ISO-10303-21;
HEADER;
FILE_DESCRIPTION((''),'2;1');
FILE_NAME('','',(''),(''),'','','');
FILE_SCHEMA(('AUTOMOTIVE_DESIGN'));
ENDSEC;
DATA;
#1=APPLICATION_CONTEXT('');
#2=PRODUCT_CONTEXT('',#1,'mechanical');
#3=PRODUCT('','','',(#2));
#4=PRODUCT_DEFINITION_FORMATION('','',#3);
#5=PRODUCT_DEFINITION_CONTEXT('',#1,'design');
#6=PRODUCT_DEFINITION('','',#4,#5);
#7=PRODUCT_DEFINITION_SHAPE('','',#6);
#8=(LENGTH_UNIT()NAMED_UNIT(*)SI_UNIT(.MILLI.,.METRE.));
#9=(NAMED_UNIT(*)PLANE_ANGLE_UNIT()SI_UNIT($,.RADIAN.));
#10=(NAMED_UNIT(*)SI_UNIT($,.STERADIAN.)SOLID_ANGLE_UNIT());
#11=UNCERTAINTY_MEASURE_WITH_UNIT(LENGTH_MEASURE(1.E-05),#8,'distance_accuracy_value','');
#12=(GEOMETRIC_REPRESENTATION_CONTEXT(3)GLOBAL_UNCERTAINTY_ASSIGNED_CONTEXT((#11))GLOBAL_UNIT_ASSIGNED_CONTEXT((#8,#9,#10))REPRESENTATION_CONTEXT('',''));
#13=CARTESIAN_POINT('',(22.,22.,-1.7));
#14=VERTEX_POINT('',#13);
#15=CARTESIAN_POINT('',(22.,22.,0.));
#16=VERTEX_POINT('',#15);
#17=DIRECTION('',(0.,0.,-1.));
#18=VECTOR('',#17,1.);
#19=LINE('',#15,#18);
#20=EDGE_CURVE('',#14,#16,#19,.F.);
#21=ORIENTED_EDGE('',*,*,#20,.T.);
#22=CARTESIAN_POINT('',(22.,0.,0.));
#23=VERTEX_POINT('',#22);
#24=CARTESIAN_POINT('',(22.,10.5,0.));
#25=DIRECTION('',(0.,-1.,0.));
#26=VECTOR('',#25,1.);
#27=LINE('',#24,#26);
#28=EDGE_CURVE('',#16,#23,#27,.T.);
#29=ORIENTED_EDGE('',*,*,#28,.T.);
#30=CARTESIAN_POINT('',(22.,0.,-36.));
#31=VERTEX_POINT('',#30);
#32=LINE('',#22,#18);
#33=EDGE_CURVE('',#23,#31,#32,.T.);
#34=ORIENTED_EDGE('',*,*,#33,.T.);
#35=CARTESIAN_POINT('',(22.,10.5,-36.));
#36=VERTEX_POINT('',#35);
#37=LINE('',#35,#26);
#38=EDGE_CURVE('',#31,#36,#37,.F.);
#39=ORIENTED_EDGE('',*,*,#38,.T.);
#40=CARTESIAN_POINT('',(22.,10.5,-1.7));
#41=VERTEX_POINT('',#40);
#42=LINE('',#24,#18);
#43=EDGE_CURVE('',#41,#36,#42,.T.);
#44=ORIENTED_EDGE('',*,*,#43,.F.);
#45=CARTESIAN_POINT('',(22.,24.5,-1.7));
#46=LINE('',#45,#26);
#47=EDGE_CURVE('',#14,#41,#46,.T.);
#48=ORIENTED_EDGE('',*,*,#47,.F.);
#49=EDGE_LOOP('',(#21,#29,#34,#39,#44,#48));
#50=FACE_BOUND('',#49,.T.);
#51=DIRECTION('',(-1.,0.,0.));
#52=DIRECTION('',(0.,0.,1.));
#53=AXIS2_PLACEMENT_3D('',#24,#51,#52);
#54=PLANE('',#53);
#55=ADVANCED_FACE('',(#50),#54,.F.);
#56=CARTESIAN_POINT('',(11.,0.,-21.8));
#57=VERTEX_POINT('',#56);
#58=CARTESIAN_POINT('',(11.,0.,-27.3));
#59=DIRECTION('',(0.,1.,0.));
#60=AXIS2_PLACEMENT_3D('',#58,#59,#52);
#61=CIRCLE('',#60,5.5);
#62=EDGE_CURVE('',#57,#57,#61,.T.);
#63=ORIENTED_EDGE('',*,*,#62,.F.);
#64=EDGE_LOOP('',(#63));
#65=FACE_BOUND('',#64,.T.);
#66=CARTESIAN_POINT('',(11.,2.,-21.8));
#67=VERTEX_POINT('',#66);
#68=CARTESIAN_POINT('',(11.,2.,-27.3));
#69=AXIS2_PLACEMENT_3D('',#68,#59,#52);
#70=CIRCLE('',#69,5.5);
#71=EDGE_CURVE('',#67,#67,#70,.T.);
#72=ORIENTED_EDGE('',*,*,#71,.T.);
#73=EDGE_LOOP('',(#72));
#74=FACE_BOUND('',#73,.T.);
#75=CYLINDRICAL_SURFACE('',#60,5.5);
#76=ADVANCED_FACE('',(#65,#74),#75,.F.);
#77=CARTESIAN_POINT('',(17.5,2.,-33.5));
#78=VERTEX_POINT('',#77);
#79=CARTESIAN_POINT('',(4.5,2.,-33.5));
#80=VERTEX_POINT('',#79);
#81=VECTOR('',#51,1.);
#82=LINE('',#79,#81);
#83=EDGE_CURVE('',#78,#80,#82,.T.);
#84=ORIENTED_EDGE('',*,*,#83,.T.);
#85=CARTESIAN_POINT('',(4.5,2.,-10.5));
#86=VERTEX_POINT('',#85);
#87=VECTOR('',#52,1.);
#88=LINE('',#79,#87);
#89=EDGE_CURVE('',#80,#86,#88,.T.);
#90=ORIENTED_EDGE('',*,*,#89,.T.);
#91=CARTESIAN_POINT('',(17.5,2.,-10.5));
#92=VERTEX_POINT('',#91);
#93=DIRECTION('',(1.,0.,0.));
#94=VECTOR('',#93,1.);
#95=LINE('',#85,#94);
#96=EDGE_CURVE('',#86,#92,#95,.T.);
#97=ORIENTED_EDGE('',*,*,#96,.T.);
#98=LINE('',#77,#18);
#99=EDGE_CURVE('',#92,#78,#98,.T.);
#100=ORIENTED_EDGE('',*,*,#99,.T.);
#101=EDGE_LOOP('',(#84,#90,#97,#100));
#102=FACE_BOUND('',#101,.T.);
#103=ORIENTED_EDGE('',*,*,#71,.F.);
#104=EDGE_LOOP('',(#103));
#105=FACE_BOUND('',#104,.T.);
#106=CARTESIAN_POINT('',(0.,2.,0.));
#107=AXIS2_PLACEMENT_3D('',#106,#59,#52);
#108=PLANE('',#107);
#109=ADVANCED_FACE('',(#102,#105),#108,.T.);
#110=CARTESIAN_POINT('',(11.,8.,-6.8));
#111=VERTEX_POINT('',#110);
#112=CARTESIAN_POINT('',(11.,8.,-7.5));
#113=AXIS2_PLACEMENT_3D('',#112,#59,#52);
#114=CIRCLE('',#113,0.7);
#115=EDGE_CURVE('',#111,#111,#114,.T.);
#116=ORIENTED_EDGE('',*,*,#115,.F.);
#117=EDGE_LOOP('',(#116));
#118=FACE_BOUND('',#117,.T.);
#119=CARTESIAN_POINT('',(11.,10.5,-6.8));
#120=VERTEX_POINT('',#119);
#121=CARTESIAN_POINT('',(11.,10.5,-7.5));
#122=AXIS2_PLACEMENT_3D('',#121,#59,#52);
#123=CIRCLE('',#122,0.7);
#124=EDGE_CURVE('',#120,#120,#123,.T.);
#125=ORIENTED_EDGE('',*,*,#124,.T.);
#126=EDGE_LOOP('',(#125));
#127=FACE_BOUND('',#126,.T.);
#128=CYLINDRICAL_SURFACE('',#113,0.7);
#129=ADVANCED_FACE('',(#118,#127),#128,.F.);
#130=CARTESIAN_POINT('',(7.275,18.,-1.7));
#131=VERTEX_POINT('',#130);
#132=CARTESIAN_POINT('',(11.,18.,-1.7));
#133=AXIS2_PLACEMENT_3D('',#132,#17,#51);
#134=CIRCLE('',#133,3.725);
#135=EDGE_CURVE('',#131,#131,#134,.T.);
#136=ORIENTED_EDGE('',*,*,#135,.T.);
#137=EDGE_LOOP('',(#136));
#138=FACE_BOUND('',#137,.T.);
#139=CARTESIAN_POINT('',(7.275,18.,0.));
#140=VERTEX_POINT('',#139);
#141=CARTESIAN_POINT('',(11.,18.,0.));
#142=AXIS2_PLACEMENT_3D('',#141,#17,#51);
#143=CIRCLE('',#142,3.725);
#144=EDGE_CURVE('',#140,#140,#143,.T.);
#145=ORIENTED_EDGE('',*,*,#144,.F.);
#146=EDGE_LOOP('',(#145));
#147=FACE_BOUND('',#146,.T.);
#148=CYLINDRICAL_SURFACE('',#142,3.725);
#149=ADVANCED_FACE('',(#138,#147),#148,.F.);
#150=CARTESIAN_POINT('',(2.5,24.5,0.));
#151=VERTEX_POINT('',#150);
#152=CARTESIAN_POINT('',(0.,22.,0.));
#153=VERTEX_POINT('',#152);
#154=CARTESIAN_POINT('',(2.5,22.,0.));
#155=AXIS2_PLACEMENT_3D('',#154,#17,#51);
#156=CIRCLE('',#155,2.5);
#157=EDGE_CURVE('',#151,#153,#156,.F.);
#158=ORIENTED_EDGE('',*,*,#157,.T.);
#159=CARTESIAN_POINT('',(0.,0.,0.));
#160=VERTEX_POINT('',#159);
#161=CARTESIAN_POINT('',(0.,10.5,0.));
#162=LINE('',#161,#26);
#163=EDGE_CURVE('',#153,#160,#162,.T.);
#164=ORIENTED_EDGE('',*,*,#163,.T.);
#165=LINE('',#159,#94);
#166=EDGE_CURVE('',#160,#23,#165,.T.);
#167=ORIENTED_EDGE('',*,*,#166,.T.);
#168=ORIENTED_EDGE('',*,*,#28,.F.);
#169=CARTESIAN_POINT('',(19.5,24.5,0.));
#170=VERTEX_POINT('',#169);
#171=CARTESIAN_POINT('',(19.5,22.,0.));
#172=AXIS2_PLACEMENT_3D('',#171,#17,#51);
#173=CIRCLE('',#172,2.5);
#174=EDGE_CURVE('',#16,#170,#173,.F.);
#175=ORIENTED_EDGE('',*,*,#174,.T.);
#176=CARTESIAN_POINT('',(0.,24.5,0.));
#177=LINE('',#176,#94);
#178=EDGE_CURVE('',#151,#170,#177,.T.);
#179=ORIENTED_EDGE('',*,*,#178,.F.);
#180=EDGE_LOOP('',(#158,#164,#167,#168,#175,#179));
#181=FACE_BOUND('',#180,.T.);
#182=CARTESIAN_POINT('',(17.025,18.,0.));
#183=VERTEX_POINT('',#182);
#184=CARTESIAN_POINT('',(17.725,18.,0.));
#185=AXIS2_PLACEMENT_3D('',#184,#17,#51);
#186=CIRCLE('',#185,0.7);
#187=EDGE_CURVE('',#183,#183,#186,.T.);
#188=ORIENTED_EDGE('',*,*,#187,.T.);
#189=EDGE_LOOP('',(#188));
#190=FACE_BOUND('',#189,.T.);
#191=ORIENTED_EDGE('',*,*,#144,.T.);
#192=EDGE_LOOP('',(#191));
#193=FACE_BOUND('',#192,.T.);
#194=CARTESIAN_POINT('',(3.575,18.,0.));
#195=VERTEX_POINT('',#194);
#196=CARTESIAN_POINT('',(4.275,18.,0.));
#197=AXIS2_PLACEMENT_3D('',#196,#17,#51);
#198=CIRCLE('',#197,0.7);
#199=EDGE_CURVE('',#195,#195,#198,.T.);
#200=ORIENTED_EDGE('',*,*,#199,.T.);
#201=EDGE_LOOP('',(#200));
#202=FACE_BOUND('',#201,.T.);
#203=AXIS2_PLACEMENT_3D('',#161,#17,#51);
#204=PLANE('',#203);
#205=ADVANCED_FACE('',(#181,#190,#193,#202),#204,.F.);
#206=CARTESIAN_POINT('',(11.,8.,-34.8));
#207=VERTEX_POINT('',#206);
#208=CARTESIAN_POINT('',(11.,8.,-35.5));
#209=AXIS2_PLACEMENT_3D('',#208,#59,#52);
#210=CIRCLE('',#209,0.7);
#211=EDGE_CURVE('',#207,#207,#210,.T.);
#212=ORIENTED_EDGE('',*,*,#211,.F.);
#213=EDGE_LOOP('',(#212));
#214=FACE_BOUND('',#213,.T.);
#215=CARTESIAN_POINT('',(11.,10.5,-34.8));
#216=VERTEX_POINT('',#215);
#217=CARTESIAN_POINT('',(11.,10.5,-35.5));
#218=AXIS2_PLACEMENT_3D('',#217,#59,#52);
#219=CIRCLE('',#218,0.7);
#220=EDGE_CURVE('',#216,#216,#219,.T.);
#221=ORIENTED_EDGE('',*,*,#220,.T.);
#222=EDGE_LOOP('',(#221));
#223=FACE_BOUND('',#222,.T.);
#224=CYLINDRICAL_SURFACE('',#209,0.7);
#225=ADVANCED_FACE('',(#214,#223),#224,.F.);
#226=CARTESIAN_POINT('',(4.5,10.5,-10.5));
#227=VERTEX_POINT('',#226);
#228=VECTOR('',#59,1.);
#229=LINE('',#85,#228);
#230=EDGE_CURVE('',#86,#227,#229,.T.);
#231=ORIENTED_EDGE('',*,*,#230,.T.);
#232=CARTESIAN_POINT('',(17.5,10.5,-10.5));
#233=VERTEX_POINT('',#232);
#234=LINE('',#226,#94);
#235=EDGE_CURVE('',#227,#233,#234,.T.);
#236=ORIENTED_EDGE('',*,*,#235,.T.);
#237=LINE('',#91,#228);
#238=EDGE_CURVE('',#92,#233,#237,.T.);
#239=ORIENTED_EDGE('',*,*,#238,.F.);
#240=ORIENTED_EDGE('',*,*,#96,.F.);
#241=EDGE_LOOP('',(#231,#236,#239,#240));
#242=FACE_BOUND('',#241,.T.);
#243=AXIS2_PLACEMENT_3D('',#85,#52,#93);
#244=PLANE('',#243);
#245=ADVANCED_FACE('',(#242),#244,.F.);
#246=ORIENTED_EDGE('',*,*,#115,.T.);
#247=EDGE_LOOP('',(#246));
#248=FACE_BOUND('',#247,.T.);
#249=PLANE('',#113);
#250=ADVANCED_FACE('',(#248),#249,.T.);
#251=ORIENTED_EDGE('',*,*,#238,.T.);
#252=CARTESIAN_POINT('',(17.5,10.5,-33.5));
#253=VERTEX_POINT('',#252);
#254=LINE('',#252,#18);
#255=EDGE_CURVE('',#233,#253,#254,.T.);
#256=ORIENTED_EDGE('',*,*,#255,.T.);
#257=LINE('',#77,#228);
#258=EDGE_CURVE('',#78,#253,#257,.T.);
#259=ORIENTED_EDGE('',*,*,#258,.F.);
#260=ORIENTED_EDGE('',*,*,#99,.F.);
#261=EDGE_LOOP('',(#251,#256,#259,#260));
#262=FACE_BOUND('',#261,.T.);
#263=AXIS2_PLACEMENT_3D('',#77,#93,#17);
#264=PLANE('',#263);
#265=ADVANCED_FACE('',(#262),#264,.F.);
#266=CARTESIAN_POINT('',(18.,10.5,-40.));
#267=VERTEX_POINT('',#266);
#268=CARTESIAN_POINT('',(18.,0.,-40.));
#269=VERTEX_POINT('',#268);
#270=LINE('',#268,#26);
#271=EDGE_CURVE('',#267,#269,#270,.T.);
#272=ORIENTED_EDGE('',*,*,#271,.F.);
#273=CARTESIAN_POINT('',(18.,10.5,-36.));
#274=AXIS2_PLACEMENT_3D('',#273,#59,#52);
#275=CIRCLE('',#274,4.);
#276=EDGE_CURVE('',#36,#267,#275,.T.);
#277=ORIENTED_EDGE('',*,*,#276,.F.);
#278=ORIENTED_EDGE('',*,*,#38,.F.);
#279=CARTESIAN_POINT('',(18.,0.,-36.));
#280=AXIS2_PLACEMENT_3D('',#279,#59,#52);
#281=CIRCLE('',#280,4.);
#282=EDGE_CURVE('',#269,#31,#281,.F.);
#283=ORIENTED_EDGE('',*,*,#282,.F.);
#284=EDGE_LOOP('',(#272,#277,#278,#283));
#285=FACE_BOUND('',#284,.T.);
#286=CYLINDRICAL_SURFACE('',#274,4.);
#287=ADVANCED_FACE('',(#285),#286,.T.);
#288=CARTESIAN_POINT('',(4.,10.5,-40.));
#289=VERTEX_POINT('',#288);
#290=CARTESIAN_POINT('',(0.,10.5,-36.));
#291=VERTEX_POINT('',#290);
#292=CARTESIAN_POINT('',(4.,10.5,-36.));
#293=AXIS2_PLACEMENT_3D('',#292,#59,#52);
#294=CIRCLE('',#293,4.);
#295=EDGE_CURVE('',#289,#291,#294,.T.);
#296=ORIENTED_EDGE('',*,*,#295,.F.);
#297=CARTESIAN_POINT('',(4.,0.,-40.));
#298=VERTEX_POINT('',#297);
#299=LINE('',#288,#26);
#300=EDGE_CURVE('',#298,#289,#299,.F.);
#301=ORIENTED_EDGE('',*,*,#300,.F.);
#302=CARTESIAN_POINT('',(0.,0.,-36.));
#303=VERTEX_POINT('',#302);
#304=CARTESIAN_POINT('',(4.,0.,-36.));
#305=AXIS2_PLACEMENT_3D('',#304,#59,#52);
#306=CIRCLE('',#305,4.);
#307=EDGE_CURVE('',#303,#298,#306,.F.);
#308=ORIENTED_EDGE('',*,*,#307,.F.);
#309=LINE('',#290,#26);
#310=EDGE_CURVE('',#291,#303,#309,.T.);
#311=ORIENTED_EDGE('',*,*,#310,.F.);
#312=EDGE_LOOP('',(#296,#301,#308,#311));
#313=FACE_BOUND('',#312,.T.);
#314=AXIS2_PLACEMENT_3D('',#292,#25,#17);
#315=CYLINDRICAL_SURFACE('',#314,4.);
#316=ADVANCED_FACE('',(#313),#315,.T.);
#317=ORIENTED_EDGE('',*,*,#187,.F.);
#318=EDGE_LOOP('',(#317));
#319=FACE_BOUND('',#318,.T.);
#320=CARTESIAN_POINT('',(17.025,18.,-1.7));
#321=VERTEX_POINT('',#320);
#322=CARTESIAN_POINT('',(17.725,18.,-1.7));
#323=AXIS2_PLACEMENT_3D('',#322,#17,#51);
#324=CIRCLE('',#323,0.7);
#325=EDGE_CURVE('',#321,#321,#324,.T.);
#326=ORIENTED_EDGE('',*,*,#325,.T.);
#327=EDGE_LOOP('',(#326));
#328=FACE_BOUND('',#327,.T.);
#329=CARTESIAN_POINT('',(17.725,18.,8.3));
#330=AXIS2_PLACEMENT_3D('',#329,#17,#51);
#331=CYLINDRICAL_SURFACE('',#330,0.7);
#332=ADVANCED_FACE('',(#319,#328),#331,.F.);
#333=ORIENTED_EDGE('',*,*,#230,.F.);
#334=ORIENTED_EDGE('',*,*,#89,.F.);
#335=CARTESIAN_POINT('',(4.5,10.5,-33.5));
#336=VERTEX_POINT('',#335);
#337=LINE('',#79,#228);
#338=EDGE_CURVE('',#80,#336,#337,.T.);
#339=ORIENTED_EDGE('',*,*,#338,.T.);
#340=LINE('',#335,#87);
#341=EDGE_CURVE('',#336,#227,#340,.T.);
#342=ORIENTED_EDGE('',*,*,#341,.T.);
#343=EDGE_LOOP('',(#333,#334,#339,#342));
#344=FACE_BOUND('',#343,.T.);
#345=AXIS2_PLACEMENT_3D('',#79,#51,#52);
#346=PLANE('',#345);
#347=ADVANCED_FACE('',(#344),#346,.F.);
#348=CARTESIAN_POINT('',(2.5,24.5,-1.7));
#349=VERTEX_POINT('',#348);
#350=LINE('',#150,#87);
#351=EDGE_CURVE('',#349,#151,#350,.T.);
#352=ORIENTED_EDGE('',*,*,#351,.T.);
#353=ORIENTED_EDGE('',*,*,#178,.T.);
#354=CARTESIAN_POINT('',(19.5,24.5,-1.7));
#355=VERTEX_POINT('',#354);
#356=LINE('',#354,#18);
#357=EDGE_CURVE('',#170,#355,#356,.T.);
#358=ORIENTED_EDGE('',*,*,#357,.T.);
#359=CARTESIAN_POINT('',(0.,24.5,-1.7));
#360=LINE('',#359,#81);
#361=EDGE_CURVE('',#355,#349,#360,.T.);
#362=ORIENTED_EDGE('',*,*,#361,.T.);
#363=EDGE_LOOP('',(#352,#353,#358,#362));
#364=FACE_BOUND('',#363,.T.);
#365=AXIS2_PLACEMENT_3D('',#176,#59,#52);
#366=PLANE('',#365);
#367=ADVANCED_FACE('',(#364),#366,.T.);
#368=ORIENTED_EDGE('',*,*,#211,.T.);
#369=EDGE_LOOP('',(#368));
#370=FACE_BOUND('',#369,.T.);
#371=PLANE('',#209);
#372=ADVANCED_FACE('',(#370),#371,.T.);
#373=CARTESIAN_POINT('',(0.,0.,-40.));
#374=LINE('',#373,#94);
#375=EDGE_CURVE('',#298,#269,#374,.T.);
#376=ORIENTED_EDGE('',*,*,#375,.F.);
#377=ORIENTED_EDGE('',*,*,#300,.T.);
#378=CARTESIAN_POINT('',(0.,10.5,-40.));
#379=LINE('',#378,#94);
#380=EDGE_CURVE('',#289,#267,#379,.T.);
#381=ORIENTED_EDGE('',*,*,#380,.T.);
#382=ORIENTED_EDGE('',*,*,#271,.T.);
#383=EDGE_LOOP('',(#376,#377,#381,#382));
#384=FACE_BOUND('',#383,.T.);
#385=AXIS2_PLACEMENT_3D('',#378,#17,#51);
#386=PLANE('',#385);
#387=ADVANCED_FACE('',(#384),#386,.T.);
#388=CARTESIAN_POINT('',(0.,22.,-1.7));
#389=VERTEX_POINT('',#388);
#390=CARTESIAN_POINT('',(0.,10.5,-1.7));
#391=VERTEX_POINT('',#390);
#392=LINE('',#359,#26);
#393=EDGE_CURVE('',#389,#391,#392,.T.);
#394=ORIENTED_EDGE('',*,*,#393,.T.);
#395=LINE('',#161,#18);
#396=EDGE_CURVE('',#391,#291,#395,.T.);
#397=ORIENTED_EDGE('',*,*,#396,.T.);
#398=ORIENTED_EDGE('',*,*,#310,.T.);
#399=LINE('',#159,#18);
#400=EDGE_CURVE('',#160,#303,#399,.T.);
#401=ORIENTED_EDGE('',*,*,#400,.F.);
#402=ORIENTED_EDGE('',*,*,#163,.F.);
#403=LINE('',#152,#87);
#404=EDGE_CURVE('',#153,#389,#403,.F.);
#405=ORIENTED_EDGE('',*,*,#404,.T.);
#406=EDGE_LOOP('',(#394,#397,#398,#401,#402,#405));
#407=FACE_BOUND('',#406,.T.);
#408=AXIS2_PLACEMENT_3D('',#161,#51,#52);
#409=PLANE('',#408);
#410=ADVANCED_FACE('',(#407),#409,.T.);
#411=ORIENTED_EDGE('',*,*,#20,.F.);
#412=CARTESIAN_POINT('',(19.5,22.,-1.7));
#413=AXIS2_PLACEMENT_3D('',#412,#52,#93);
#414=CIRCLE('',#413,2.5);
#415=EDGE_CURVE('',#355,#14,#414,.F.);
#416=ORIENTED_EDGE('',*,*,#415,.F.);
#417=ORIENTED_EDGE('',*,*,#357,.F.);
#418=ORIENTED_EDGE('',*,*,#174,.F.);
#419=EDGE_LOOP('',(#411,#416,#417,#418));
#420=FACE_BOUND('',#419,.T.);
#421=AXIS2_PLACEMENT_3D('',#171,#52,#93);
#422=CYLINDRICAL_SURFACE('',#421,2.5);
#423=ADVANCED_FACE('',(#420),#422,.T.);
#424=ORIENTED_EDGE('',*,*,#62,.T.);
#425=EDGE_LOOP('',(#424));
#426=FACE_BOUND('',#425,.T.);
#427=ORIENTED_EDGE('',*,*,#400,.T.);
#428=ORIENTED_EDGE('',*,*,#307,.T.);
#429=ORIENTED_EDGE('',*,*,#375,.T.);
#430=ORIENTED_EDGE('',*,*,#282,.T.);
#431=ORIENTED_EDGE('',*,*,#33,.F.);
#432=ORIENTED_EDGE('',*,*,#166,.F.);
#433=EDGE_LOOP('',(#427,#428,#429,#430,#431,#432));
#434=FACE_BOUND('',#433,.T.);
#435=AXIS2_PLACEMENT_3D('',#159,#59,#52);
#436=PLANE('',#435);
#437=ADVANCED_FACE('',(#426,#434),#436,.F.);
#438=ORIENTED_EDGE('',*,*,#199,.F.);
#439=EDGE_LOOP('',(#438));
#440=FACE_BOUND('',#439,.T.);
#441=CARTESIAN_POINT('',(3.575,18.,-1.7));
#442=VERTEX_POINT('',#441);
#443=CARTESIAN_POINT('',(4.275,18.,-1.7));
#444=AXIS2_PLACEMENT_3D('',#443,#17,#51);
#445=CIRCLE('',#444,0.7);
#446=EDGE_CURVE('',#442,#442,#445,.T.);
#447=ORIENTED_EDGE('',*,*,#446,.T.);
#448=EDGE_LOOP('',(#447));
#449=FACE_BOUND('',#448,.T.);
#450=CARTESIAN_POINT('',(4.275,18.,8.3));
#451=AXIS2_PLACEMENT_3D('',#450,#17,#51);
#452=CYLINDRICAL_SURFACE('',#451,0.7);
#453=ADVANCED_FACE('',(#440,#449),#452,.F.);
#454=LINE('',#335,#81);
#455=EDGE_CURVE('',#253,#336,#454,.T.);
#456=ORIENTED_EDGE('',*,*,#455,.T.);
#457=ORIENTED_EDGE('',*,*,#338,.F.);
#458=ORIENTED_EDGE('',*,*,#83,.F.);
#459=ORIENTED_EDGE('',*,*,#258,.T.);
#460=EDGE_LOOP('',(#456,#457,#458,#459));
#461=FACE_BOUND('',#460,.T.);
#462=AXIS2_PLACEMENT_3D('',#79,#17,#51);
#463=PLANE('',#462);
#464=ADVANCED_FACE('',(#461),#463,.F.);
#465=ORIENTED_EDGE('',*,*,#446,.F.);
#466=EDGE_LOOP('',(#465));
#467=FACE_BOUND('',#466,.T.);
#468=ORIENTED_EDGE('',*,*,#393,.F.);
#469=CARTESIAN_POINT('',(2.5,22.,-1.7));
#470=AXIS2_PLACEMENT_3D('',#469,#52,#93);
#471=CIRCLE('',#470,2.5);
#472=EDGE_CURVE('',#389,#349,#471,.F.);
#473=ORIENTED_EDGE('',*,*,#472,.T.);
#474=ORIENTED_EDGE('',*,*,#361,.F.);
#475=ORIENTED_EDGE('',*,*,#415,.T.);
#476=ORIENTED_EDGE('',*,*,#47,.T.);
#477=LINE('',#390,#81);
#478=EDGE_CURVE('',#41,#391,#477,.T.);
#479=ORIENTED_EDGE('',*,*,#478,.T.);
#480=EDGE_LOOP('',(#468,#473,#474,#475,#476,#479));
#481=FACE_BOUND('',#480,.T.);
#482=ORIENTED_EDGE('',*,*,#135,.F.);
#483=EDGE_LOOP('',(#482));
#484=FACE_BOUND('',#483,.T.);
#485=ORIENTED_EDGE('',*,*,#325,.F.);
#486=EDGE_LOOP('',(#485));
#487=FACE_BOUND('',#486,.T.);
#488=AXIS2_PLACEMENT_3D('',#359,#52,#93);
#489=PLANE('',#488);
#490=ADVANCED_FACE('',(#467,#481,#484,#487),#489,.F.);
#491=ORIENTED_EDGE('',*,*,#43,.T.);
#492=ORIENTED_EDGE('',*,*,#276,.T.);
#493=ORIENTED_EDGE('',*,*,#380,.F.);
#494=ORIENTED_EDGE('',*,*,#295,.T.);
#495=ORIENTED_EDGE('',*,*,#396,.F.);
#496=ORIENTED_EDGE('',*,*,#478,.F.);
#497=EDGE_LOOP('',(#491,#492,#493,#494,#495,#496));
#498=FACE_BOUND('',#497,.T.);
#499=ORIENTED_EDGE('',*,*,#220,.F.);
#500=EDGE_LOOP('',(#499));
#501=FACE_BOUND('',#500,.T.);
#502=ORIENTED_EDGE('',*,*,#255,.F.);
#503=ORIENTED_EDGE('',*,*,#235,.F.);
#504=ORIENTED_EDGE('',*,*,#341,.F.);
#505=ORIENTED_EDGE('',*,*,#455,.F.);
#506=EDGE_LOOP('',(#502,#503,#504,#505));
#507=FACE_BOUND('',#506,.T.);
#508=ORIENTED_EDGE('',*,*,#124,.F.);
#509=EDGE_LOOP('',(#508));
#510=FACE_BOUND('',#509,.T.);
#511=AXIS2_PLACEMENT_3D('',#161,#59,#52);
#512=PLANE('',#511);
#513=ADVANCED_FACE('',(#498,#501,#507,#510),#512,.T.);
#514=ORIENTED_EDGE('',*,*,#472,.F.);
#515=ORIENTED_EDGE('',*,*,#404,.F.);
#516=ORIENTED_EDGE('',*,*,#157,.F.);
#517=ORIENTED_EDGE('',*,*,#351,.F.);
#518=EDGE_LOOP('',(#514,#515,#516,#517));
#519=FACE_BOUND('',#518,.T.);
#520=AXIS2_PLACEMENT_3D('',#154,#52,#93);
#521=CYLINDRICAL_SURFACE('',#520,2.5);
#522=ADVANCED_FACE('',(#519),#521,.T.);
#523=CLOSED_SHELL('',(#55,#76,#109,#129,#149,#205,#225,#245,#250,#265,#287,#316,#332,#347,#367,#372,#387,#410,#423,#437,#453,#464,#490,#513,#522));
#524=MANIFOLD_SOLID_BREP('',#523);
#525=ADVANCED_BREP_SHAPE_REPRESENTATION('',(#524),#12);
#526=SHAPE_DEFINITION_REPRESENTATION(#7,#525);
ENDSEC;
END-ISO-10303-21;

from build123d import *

# Parameters (mm, degrees)
SKETCH1_W           = 22
SKETCH1_H           = 40
BOSS_EXTRUDE1_DEPTH = 10.5
SKETCH2_W           = 13
SKETCH2_H           = 23
CUT_EXTRUDE1_DEPTH  = 8.5
SKETCH3_R           = 5.5
CUT_EXTRUDE2_DEPTH  = 47.435439053
SKETCH4_W           = 22
SKETCH4_H           = 1.7
BOSS_EXTRUDE2_DEPTH = 14
SKETCH5_R           = 3.725
CUT_EXTRUDE3_DEPTH  = 51.508811113
SKETCH5_3_R         = 3.725
SKETCH5_3_R_2       = 0.7
CUT_EXTRUDE4_DEPTH  = 10
SKETCH6_R           = 0.7
CUT_EXTRUDE5_DEPTH  = 2.5
FILLET1_R           = 4
FILLET2_R           = 2.5


with BuildPart() as part:
    # Sketch1 → Boss-Extrude1 (new body)
    with BuildSketch(Plane(origin=(0, 0, 0), x_dir=(1, 0, 0), z_dir=(0, 1, 0))):
        with Locations((11, 20)):
            Rectangle(SKETCH1_W, SKETCH1_H)
    extrude(amount=BOSS_EXTRUDE1_DEPTH)

    # Sketch2 → Cut-Extrude1 (cut)
    with BuildSketch(Plane(origin=(0, 10.5, 0), x_dir=(1, 0, 0), z_dir=(0, 1, 0))):
        with Locations((11, 22)):
            Rectangle(SKETCH2_W, SKETCH2_H)
    extrude(amount=-CUT_EXTRUDE1_DEPTH, mode=Mode.SUBTRACT)

    # Sketch3 → Cut-Extrude2 (cut, through all)
    with BuildSketch(Plane(origin=(0, 2, 0), x_dir=(1, 0, 0), z_dir=(0, 1, 0))):
        with Locations((11, 27.3)):
            Circle(SKETCH3_R)
    extrude(amount=-CUT_EXTRUDE2_DEPTH, mode=Mode.SUBTRACT)

    # Sketch4 → Boss-Extrude2 (add)
    with BuildSketch(Plane(origin=(0, 10.5, 0), x_dir=(1, 0, 0), z_dir=(0, 1, 0))):
        with Locations((11, 0.85)):
            Rectangle(SKETCH4_W, SKETCH4_H)
    extrude(amount=BOSS_EXTRUDE2_DEPTH)

    # Sketch5 → Cut-Extrude3 (cut, through all)
    with BuildSketch(Plane(origin=(0, 0, -1.7), x_dir=(-1, 0, 0), z_dir=(0, 0, -1))):
        with Locations((-11, 18)):
            Circle(SKETCH5_R)
    extrude(amount=-CUT_EXTRUDE3_DEPTH, mode=Mode.SUBTRACT)

    # Sketch5<3> → Cut-Extrude4 (cut)
    with BuildSketch(Plane(origin=(0, 0, -1.7), x_dir=(-1, 0, 0), z_dir=(0, 0, -1))):
        with Locations((-11, 18)):
            Circle(SKETCH5_3_R)
        with Locations((-17.725, 18)):
            Circle(SKETCH5_3_R_2)
        with Locations((-4.275, 18)):
            Circle(SKETCH5_3_R_2)
    extrude(amount=-CUT_EXTRUDE4_DEPTH, mode=Mode.SUBTRACT)

    # Sketch6 → Cut-Extrude5 (cut)
    with BuildSketch(Plane(origin=(0, 10.5, 0), x_dir=(1, 0, 0), z_dir=(0, 1, 0))):
        with Locations((11, 35.5)):
            Circle(SKETCH6_R)
        with Locations((11, 7.5)):
            Circle(SKETCH6_R)
    extrude(amount=-CUT_EXTRUDE5_DEPTH, mode=Mode.SUBTRACT)

    # Fillet1
    fillet1_edges = [part.edges().sort_by_distance(p)[0] for p in [
        (0, 5.25, -40),
        (22, 5.25, -40),
    ]]
    fillet(fillet1_edges, radius=FILLET1_R)

    # Fillet2
    fillet2_edges = [part.edges().sort_by_distance(p)[0] for p in [
        (0, 24.5, -0.85),
        (22, 24.5, -0.85),
    ]]
    fillet(fillet2_edges, radius=FILLET2_R)


solid = part.part
